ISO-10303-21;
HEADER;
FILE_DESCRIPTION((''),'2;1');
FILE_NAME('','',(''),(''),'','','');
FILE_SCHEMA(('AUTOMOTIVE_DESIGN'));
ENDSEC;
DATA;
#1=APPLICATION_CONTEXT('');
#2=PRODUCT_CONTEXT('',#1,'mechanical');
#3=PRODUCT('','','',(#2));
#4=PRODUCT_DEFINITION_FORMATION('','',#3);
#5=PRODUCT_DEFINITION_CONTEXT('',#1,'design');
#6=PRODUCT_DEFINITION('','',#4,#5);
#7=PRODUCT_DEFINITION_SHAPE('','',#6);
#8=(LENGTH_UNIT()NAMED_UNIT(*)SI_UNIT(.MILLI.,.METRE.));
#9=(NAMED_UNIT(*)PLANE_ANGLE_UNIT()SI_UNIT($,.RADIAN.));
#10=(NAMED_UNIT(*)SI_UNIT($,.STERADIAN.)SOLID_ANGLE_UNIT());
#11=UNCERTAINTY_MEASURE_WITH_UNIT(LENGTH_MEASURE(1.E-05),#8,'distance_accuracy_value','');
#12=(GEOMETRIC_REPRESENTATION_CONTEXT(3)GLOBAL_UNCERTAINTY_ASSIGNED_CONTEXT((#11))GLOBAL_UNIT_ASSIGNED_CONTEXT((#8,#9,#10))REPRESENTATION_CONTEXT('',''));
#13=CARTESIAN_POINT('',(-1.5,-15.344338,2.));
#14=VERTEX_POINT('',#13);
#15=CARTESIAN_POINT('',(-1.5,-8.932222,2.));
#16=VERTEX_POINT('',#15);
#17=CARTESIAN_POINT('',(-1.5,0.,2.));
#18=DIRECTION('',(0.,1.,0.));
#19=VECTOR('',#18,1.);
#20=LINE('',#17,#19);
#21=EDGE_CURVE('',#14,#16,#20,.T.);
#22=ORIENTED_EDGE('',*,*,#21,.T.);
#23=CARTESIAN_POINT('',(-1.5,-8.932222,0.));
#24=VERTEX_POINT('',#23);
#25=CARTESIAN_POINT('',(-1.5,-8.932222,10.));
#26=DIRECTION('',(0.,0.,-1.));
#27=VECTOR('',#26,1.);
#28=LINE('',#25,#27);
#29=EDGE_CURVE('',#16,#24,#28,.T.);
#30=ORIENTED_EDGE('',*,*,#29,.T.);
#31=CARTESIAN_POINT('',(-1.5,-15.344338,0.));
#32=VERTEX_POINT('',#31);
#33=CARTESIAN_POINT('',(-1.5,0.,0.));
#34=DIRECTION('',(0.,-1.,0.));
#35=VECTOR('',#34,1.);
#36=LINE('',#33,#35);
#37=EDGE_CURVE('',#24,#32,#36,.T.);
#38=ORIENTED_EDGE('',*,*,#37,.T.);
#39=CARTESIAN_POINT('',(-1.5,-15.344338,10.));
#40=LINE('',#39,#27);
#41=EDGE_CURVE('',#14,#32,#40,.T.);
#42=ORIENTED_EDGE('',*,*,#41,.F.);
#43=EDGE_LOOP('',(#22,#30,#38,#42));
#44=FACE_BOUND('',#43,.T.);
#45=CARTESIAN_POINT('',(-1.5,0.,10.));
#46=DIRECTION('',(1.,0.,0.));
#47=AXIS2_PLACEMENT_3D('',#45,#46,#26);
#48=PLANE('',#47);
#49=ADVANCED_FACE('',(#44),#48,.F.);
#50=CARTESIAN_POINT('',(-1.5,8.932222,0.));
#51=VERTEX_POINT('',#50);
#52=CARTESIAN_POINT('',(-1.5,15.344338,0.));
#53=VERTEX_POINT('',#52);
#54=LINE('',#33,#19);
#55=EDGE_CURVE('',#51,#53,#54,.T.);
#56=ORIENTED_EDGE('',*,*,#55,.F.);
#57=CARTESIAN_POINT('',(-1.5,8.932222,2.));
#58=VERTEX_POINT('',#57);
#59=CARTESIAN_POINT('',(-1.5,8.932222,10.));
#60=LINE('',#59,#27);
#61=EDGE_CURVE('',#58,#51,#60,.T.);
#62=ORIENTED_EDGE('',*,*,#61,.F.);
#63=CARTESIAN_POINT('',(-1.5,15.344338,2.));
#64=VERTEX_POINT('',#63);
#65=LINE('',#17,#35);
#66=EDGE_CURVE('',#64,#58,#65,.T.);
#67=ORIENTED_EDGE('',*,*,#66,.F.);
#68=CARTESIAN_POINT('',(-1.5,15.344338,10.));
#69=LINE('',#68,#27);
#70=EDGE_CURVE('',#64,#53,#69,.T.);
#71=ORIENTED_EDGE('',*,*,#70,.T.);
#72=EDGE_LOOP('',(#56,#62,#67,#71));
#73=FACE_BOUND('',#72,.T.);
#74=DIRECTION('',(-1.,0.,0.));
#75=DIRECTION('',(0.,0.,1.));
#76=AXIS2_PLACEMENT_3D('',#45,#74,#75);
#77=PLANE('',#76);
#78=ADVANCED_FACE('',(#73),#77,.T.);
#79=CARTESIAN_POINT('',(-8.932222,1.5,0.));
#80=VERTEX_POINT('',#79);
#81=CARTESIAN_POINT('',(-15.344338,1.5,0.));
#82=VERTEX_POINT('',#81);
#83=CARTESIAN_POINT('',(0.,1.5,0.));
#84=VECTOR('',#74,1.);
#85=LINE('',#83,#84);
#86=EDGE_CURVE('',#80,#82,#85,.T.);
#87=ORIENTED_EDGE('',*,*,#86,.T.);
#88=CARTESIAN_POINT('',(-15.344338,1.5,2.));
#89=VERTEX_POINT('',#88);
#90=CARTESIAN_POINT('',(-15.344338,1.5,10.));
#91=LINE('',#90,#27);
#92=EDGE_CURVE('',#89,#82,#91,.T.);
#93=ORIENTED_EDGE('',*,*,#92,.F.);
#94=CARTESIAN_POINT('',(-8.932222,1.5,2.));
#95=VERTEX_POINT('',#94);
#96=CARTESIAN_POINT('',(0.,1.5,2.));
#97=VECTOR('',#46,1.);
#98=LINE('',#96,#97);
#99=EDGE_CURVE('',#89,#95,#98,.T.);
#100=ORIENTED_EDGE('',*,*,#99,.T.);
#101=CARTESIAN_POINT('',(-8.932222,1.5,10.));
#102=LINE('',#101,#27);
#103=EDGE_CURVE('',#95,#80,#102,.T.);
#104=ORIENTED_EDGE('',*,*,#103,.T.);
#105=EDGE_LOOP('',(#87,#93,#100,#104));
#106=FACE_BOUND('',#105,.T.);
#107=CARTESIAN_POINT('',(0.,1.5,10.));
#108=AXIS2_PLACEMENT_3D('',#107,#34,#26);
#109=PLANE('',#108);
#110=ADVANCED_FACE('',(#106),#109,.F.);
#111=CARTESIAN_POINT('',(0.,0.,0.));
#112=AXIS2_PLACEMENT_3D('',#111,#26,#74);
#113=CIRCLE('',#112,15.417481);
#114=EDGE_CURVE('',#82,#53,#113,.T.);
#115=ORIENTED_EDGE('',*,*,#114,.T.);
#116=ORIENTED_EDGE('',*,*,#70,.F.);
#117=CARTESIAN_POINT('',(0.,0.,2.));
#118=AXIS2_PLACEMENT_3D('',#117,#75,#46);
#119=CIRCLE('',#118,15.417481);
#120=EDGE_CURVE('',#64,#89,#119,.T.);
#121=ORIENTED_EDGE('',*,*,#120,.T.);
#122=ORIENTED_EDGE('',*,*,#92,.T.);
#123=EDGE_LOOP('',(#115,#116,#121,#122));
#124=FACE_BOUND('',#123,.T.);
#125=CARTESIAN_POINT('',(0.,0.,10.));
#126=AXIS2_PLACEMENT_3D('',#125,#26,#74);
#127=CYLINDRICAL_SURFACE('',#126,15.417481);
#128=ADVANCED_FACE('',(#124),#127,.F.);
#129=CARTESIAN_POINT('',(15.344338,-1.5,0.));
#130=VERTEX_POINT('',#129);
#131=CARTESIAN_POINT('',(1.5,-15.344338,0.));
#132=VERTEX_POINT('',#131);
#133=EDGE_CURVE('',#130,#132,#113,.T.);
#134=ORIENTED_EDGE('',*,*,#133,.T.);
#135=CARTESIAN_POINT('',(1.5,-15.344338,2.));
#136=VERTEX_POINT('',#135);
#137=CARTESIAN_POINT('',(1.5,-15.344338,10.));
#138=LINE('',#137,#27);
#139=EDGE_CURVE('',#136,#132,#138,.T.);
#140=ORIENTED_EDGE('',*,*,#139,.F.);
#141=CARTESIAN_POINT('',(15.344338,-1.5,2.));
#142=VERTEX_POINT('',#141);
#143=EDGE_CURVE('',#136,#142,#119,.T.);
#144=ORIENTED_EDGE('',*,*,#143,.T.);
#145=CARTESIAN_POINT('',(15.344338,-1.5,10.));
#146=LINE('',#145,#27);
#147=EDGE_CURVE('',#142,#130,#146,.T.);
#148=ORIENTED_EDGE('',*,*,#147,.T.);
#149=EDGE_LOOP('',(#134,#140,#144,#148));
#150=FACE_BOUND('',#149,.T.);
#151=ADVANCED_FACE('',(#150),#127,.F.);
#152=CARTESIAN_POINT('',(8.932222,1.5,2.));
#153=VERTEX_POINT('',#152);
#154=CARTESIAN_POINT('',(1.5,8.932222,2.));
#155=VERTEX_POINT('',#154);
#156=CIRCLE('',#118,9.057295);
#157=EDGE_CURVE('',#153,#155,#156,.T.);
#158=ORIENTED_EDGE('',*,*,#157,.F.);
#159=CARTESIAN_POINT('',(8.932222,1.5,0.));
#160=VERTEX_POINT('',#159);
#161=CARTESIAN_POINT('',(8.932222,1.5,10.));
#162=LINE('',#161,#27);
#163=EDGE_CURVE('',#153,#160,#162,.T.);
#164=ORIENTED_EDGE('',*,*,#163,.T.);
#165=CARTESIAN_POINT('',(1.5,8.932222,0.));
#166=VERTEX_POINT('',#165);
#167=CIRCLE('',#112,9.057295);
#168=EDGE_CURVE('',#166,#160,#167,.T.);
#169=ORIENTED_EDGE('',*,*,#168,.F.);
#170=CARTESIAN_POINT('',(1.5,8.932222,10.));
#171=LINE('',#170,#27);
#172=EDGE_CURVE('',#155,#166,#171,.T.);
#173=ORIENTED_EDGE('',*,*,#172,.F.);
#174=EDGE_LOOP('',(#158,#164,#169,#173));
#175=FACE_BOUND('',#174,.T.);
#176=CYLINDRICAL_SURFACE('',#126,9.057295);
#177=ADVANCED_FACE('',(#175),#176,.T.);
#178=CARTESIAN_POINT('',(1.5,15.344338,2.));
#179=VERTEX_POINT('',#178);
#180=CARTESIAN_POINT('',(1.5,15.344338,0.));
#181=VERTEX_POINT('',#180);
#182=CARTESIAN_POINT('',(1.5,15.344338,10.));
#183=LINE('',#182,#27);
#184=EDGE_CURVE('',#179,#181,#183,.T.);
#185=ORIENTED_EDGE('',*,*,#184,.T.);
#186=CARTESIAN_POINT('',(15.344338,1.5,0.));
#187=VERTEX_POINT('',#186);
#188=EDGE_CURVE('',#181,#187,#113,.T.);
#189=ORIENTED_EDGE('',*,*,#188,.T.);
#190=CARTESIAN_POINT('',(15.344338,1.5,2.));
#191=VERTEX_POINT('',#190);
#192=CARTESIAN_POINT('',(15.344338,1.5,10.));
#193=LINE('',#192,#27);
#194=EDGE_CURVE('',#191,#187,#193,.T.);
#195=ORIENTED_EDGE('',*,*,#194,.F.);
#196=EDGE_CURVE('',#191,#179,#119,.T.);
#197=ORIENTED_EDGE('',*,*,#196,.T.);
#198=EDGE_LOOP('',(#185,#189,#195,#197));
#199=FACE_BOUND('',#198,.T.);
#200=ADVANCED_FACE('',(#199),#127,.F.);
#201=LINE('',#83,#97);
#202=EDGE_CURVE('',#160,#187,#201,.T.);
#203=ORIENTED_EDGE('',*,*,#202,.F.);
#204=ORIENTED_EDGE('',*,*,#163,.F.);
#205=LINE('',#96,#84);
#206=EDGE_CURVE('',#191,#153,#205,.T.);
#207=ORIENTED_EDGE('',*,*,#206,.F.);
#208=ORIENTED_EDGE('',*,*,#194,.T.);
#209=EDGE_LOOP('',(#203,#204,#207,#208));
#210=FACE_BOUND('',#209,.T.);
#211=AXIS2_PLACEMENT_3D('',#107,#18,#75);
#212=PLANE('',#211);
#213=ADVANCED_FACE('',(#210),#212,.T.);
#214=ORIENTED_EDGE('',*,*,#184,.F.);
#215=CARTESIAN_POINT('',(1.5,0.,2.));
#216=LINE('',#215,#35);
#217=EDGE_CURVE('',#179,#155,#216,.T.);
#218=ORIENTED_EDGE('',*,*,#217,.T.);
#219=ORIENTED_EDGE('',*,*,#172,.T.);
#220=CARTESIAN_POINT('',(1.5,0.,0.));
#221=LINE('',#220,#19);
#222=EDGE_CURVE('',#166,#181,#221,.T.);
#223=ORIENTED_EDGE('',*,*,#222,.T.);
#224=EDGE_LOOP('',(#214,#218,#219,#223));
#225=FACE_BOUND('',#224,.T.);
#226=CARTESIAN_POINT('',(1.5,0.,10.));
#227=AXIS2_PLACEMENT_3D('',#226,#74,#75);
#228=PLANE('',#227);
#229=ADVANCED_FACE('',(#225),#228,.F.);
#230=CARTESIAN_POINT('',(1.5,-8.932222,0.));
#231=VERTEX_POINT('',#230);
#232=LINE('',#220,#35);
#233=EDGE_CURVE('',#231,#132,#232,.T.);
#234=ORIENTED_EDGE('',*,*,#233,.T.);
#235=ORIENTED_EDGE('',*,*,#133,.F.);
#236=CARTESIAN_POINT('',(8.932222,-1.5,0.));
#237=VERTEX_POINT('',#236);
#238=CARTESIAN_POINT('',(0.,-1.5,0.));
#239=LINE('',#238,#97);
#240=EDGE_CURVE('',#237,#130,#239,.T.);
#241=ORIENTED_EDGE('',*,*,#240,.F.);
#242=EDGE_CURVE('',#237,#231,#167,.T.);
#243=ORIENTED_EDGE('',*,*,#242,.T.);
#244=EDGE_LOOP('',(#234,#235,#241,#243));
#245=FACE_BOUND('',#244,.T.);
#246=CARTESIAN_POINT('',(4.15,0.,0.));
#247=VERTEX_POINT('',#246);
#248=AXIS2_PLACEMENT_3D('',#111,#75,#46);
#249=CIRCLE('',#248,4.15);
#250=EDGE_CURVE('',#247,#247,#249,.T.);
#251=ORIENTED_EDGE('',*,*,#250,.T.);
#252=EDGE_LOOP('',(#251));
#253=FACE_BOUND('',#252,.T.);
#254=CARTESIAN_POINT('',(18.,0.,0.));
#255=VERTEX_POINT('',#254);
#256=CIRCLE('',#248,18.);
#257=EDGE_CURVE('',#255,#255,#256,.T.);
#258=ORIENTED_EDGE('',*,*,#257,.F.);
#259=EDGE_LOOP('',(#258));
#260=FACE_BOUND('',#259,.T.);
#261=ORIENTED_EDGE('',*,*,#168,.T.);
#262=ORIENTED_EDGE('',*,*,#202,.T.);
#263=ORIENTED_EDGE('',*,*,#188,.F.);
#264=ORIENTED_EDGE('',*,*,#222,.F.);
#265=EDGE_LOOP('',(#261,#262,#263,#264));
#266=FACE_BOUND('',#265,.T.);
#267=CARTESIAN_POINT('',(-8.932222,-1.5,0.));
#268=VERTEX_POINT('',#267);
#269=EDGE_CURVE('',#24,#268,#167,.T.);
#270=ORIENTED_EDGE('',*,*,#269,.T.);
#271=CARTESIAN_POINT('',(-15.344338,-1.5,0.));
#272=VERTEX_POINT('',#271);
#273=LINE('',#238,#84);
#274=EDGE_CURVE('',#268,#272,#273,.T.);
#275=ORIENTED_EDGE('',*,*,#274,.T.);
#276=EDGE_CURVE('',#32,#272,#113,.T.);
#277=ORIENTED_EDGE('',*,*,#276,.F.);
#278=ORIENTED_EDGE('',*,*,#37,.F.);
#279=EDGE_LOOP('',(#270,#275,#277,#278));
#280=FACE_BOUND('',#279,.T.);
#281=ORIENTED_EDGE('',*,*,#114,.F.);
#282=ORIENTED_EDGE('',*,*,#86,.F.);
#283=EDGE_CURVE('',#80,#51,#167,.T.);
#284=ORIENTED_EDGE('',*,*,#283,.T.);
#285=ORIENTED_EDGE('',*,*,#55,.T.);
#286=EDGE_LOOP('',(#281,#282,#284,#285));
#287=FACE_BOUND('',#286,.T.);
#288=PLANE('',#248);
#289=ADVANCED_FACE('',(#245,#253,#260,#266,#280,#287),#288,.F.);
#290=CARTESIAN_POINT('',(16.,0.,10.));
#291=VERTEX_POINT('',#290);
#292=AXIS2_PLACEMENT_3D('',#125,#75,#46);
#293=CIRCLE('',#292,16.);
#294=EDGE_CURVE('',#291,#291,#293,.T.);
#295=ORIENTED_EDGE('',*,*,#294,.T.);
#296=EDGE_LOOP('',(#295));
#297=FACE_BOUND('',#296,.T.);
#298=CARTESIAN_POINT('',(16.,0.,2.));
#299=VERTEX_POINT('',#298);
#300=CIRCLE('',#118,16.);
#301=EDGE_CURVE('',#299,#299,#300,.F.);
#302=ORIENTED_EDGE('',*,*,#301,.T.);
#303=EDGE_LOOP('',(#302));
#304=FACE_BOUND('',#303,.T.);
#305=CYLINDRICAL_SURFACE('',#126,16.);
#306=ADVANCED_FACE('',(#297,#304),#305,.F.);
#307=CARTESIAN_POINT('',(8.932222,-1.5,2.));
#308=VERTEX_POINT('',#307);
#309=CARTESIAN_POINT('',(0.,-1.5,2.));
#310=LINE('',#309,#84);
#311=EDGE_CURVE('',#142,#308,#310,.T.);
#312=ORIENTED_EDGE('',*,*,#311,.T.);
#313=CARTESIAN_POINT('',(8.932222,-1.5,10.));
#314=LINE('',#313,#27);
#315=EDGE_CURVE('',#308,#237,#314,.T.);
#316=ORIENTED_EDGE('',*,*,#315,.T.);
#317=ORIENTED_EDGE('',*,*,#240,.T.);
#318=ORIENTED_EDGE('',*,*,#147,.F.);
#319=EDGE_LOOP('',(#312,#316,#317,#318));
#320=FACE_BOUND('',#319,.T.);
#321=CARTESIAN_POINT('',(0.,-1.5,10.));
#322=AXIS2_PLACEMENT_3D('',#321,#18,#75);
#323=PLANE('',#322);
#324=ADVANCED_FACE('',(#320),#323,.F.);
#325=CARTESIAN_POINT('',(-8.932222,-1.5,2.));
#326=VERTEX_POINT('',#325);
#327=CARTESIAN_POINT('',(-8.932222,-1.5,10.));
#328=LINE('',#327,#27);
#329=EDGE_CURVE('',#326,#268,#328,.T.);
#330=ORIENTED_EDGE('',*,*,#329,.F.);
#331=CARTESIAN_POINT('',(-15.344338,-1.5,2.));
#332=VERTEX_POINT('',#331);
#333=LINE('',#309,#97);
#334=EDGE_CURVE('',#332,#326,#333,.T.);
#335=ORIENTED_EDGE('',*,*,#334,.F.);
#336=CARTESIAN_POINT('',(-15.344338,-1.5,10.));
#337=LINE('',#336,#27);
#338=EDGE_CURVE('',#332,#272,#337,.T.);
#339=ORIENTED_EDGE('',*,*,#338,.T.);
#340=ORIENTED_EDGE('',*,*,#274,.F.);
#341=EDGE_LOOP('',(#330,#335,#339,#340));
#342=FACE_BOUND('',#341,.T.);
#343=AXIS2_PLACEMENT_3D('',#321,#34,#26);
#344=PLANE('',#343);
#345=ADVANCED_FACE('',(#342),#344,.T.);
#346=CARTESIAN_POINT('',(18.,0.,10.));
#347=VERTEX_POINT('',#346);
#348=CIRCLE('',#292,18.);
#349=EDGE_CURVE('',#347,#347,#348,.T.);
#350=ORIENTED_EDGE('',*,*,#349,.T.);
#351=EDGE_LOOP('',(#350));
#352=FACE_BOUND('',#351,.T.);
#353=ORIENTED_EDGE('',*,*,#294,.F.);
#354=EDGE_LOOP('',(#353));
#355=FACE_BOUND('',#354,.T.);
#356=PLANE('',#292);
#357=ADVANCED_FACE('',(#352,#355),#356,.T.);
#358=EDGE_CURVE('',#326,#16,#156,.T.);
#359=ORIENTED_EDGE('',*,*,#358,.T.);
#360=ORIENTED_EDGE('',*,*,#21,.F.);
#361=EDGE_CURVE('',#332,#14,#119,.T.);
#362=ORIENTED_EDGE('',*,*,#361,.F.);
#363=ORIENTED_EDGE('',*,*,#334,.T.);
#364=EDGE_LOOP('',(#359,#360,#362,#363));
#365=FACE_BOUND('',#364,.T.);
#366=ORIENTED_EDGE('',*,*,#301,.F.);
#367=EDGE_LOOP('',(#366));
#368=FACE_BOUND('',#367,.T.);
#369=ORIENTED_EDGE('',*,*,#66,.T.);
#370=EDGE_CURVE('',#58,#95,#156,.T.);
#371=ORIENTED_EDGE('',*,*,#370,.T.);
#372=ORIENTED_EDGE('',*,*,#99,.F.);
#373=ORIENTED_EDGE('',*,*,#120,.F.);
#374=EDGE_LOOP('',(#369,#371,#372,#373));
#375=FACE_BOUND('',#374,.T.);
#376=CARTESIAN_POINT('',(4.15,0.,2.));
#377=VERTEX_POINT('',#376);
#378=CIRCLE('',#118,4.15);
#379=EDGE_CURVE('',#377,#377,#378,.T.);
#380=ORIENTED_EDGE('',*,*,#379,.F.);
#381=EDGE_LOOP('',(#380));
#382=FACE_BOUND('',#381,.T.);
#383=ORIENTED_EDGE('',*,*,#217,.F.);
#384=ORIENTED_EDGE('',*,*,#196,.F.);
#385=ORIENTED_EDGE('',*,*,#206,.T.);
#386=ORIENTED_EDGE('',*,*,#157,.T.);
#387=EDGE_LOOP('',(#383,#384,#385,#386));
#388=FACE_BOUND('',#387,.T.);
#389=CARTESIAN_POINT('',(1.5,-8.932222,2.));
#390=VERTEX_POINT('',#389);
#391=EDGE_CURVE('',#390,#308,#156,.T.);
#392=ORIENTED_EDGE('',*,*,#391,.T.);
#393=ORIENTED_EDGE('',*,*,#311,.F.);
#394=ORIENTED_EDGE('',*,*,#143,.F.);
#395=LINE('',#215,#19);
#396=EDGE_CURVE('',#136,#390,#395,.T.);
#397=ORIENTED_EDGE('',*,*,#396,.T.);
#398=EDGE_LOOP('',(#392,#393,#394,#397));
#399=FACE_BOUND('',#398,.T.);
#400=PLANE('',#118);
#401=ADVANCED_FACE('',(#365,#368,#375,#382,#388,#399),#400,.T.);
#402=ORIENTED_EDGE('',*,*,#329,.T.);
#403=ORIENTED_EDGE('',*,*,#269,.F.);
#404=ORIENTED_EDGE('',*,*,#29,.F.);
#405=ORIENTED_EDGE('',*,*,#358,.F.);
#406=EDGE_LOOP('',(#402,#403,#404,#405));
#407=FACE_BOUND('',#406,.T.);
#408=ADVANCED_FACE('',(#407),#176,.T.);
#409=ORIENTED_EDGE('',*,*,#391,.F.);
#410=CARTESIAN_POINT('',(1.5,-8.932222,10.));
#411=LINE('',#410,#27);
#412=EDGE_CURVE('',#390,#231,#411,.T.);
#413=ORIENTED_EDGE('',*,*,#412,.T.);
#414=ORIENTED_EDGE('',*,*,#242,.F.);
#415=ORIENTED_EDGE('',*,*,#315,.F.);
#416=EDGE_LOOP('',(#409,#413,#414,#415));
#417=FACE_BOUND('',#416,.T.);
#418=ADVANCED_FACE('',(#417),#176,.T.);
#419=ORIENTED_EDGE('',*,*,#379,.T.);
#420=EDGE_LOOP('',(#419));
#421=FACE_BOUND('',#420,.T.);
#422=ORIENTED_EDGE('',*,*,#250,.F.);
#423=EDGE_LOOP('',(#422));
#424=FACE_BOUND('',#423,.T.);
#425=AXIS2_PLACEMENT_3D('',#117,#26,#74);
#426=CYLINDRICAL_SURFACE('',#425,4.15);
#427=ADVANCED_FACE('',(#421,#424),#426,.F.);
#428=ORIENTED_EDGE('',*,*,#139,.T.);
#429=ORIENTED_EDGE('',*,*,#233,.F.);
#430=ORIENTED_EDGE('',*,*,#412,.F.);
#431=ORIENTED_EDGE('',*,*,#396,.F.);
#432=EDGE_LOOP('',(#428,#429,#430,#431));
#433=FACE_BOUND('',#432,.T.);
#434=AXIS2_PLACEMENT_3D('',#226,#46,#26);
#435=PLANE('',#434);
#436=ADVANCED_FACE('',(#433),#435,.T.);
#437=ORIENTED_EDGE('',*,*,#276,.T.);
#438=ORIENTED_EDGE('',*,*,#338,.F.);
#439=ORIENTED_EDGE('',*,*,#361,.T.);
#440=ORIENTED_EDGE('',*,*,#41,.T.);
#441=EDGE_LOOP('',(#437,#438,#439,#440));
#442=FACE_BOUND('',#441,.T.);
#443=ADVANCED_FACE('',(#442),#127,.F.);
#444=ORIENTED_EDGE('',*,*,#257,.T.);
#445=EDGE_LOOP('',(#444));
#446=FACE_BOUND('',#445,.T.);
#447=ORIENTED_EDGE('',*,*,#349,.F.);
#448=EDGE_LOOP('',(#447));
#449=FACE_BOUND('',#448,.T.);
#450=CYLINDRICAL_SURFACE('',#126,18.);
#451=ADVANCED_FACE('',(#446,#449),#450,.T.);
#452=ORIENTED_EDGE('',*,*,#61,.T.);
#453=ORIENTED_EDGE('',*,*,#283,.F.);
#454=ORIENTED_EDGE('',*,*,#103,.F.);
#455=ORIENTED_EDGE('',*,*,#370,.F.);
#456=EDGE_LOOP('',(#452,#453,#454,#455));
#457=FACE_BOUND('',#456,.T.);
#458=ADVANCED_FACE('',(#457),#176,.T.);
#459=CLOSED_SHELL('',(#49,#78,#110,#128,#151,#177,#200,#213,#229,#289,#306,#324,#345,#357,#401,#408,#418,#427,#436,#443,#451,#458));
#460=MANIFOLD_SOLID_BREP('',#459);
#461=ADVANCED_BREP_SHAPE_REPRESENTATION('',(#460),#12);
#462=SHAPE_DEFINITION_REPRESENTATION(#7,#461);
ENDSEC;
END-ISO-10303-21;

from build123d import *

# Parameters (mm, degrees)
ESBO_O1_R                = 16
ESBO_O1_R_2              = 4.15
RESSALTO_EXTRUS_O1_DEPTH = 2
ESBO_O2_R                = 18
ESBO_O2_R_2              = 16
RESSALTO_EXTRUS_O2_DEPTH = 10
CORTE_EXTRUS_O1_DEPTH    = 10


with BuildPart() as part:
    # Esboço1 → Ressalto-extrusão1 (new body)
    with BuildSketch(Plane.XY):
        Circle(ESBO_O1_R)
        Circle(ESBO_O1_R_2, mode=Mode.SUBTRACT)
    extrude(amount=RESSALTO_EXTRUS_O1_DEPTH)

    # Esboço2 → Ressalto-extrusão2 (add)
    with BuildSketch(Plane.XY):
        Circle(ESBO_O2_R)
        Circle(ESBO_O2_R_2, mode=Mode.SUBTRACT)
    extrude(amount=RESSALTO_EXTRUS_O2_DEPTH)

    # Esboço3 → Corte-extrusão1 (cut)
    with BuildSketch(Plane(origin=(0, 0, 0), x_dir=(-1, 0, 0), z_dir=(0, 0, -1))):
        with BuildLine():
            ThreePointArc((-1.5, -8.932222345), (-6.404474843, -6.404474843), (-8.932222345, -1.5))
            Line((-8.932222345, -1.5), (-15.344338178, -1.5))
            ThreePointArc((-15.344338178, -1.5), (-10.90180522, -10.90180522), (-1.5, -15.344338178))
            Line((-1.5, -15.344338178), (-1.5, -8.932222345))
        make_face()
        with BuildLine():
            ThreePointArc((8.932222345, -1.5), (6.404474843, -6.404474843), (1.5, -8.932222345))
            Line((1.5, -8.932222345), (1.5, -15.344338178))
            ThreePointArc((1.5, -15.344338178), (10.90180522, -10.90180522), (15.344338178, -1.5))
            Line((15.344338178, -1.5), (8.932222345, -1.5))
        make_face()
        with BuildLine():
            ThreePointArc((1.5, 8.932222345), (6.404474843, 6.404474843), (8.932222345, 1.5))
            Line((8.932222345, 1.5), (15.344338178, 1.5))
            ThreePointArc((15.344338178, 1.5), (10.90180522, 10.90180522), (1.5, 15.344338178))
            Line((1.5, 15.344338178), (1.5, 8.932222345))
        make_face()
        with BuildLine():
            ThreePointArc((-8.932222345, 1.5), (-6.404474843, 6.404474843), (-1.5, 8.932222345))
            Line((-1.5, 8.932222345), (-1.5, 15.344338178))
            ThreePointArc((-1.5, 15.344338178), (-10.90180522, 10.90180522), (-15.344338178, 1.5))
            Line((-15.344338178, 1.5), (-8.932222345, 1.5))
        make_face()
    extrude(amount=-CORTE_EXTRUS_O1_DEPTH, mode=Mode.SUBTRACT)


solid = part.part
